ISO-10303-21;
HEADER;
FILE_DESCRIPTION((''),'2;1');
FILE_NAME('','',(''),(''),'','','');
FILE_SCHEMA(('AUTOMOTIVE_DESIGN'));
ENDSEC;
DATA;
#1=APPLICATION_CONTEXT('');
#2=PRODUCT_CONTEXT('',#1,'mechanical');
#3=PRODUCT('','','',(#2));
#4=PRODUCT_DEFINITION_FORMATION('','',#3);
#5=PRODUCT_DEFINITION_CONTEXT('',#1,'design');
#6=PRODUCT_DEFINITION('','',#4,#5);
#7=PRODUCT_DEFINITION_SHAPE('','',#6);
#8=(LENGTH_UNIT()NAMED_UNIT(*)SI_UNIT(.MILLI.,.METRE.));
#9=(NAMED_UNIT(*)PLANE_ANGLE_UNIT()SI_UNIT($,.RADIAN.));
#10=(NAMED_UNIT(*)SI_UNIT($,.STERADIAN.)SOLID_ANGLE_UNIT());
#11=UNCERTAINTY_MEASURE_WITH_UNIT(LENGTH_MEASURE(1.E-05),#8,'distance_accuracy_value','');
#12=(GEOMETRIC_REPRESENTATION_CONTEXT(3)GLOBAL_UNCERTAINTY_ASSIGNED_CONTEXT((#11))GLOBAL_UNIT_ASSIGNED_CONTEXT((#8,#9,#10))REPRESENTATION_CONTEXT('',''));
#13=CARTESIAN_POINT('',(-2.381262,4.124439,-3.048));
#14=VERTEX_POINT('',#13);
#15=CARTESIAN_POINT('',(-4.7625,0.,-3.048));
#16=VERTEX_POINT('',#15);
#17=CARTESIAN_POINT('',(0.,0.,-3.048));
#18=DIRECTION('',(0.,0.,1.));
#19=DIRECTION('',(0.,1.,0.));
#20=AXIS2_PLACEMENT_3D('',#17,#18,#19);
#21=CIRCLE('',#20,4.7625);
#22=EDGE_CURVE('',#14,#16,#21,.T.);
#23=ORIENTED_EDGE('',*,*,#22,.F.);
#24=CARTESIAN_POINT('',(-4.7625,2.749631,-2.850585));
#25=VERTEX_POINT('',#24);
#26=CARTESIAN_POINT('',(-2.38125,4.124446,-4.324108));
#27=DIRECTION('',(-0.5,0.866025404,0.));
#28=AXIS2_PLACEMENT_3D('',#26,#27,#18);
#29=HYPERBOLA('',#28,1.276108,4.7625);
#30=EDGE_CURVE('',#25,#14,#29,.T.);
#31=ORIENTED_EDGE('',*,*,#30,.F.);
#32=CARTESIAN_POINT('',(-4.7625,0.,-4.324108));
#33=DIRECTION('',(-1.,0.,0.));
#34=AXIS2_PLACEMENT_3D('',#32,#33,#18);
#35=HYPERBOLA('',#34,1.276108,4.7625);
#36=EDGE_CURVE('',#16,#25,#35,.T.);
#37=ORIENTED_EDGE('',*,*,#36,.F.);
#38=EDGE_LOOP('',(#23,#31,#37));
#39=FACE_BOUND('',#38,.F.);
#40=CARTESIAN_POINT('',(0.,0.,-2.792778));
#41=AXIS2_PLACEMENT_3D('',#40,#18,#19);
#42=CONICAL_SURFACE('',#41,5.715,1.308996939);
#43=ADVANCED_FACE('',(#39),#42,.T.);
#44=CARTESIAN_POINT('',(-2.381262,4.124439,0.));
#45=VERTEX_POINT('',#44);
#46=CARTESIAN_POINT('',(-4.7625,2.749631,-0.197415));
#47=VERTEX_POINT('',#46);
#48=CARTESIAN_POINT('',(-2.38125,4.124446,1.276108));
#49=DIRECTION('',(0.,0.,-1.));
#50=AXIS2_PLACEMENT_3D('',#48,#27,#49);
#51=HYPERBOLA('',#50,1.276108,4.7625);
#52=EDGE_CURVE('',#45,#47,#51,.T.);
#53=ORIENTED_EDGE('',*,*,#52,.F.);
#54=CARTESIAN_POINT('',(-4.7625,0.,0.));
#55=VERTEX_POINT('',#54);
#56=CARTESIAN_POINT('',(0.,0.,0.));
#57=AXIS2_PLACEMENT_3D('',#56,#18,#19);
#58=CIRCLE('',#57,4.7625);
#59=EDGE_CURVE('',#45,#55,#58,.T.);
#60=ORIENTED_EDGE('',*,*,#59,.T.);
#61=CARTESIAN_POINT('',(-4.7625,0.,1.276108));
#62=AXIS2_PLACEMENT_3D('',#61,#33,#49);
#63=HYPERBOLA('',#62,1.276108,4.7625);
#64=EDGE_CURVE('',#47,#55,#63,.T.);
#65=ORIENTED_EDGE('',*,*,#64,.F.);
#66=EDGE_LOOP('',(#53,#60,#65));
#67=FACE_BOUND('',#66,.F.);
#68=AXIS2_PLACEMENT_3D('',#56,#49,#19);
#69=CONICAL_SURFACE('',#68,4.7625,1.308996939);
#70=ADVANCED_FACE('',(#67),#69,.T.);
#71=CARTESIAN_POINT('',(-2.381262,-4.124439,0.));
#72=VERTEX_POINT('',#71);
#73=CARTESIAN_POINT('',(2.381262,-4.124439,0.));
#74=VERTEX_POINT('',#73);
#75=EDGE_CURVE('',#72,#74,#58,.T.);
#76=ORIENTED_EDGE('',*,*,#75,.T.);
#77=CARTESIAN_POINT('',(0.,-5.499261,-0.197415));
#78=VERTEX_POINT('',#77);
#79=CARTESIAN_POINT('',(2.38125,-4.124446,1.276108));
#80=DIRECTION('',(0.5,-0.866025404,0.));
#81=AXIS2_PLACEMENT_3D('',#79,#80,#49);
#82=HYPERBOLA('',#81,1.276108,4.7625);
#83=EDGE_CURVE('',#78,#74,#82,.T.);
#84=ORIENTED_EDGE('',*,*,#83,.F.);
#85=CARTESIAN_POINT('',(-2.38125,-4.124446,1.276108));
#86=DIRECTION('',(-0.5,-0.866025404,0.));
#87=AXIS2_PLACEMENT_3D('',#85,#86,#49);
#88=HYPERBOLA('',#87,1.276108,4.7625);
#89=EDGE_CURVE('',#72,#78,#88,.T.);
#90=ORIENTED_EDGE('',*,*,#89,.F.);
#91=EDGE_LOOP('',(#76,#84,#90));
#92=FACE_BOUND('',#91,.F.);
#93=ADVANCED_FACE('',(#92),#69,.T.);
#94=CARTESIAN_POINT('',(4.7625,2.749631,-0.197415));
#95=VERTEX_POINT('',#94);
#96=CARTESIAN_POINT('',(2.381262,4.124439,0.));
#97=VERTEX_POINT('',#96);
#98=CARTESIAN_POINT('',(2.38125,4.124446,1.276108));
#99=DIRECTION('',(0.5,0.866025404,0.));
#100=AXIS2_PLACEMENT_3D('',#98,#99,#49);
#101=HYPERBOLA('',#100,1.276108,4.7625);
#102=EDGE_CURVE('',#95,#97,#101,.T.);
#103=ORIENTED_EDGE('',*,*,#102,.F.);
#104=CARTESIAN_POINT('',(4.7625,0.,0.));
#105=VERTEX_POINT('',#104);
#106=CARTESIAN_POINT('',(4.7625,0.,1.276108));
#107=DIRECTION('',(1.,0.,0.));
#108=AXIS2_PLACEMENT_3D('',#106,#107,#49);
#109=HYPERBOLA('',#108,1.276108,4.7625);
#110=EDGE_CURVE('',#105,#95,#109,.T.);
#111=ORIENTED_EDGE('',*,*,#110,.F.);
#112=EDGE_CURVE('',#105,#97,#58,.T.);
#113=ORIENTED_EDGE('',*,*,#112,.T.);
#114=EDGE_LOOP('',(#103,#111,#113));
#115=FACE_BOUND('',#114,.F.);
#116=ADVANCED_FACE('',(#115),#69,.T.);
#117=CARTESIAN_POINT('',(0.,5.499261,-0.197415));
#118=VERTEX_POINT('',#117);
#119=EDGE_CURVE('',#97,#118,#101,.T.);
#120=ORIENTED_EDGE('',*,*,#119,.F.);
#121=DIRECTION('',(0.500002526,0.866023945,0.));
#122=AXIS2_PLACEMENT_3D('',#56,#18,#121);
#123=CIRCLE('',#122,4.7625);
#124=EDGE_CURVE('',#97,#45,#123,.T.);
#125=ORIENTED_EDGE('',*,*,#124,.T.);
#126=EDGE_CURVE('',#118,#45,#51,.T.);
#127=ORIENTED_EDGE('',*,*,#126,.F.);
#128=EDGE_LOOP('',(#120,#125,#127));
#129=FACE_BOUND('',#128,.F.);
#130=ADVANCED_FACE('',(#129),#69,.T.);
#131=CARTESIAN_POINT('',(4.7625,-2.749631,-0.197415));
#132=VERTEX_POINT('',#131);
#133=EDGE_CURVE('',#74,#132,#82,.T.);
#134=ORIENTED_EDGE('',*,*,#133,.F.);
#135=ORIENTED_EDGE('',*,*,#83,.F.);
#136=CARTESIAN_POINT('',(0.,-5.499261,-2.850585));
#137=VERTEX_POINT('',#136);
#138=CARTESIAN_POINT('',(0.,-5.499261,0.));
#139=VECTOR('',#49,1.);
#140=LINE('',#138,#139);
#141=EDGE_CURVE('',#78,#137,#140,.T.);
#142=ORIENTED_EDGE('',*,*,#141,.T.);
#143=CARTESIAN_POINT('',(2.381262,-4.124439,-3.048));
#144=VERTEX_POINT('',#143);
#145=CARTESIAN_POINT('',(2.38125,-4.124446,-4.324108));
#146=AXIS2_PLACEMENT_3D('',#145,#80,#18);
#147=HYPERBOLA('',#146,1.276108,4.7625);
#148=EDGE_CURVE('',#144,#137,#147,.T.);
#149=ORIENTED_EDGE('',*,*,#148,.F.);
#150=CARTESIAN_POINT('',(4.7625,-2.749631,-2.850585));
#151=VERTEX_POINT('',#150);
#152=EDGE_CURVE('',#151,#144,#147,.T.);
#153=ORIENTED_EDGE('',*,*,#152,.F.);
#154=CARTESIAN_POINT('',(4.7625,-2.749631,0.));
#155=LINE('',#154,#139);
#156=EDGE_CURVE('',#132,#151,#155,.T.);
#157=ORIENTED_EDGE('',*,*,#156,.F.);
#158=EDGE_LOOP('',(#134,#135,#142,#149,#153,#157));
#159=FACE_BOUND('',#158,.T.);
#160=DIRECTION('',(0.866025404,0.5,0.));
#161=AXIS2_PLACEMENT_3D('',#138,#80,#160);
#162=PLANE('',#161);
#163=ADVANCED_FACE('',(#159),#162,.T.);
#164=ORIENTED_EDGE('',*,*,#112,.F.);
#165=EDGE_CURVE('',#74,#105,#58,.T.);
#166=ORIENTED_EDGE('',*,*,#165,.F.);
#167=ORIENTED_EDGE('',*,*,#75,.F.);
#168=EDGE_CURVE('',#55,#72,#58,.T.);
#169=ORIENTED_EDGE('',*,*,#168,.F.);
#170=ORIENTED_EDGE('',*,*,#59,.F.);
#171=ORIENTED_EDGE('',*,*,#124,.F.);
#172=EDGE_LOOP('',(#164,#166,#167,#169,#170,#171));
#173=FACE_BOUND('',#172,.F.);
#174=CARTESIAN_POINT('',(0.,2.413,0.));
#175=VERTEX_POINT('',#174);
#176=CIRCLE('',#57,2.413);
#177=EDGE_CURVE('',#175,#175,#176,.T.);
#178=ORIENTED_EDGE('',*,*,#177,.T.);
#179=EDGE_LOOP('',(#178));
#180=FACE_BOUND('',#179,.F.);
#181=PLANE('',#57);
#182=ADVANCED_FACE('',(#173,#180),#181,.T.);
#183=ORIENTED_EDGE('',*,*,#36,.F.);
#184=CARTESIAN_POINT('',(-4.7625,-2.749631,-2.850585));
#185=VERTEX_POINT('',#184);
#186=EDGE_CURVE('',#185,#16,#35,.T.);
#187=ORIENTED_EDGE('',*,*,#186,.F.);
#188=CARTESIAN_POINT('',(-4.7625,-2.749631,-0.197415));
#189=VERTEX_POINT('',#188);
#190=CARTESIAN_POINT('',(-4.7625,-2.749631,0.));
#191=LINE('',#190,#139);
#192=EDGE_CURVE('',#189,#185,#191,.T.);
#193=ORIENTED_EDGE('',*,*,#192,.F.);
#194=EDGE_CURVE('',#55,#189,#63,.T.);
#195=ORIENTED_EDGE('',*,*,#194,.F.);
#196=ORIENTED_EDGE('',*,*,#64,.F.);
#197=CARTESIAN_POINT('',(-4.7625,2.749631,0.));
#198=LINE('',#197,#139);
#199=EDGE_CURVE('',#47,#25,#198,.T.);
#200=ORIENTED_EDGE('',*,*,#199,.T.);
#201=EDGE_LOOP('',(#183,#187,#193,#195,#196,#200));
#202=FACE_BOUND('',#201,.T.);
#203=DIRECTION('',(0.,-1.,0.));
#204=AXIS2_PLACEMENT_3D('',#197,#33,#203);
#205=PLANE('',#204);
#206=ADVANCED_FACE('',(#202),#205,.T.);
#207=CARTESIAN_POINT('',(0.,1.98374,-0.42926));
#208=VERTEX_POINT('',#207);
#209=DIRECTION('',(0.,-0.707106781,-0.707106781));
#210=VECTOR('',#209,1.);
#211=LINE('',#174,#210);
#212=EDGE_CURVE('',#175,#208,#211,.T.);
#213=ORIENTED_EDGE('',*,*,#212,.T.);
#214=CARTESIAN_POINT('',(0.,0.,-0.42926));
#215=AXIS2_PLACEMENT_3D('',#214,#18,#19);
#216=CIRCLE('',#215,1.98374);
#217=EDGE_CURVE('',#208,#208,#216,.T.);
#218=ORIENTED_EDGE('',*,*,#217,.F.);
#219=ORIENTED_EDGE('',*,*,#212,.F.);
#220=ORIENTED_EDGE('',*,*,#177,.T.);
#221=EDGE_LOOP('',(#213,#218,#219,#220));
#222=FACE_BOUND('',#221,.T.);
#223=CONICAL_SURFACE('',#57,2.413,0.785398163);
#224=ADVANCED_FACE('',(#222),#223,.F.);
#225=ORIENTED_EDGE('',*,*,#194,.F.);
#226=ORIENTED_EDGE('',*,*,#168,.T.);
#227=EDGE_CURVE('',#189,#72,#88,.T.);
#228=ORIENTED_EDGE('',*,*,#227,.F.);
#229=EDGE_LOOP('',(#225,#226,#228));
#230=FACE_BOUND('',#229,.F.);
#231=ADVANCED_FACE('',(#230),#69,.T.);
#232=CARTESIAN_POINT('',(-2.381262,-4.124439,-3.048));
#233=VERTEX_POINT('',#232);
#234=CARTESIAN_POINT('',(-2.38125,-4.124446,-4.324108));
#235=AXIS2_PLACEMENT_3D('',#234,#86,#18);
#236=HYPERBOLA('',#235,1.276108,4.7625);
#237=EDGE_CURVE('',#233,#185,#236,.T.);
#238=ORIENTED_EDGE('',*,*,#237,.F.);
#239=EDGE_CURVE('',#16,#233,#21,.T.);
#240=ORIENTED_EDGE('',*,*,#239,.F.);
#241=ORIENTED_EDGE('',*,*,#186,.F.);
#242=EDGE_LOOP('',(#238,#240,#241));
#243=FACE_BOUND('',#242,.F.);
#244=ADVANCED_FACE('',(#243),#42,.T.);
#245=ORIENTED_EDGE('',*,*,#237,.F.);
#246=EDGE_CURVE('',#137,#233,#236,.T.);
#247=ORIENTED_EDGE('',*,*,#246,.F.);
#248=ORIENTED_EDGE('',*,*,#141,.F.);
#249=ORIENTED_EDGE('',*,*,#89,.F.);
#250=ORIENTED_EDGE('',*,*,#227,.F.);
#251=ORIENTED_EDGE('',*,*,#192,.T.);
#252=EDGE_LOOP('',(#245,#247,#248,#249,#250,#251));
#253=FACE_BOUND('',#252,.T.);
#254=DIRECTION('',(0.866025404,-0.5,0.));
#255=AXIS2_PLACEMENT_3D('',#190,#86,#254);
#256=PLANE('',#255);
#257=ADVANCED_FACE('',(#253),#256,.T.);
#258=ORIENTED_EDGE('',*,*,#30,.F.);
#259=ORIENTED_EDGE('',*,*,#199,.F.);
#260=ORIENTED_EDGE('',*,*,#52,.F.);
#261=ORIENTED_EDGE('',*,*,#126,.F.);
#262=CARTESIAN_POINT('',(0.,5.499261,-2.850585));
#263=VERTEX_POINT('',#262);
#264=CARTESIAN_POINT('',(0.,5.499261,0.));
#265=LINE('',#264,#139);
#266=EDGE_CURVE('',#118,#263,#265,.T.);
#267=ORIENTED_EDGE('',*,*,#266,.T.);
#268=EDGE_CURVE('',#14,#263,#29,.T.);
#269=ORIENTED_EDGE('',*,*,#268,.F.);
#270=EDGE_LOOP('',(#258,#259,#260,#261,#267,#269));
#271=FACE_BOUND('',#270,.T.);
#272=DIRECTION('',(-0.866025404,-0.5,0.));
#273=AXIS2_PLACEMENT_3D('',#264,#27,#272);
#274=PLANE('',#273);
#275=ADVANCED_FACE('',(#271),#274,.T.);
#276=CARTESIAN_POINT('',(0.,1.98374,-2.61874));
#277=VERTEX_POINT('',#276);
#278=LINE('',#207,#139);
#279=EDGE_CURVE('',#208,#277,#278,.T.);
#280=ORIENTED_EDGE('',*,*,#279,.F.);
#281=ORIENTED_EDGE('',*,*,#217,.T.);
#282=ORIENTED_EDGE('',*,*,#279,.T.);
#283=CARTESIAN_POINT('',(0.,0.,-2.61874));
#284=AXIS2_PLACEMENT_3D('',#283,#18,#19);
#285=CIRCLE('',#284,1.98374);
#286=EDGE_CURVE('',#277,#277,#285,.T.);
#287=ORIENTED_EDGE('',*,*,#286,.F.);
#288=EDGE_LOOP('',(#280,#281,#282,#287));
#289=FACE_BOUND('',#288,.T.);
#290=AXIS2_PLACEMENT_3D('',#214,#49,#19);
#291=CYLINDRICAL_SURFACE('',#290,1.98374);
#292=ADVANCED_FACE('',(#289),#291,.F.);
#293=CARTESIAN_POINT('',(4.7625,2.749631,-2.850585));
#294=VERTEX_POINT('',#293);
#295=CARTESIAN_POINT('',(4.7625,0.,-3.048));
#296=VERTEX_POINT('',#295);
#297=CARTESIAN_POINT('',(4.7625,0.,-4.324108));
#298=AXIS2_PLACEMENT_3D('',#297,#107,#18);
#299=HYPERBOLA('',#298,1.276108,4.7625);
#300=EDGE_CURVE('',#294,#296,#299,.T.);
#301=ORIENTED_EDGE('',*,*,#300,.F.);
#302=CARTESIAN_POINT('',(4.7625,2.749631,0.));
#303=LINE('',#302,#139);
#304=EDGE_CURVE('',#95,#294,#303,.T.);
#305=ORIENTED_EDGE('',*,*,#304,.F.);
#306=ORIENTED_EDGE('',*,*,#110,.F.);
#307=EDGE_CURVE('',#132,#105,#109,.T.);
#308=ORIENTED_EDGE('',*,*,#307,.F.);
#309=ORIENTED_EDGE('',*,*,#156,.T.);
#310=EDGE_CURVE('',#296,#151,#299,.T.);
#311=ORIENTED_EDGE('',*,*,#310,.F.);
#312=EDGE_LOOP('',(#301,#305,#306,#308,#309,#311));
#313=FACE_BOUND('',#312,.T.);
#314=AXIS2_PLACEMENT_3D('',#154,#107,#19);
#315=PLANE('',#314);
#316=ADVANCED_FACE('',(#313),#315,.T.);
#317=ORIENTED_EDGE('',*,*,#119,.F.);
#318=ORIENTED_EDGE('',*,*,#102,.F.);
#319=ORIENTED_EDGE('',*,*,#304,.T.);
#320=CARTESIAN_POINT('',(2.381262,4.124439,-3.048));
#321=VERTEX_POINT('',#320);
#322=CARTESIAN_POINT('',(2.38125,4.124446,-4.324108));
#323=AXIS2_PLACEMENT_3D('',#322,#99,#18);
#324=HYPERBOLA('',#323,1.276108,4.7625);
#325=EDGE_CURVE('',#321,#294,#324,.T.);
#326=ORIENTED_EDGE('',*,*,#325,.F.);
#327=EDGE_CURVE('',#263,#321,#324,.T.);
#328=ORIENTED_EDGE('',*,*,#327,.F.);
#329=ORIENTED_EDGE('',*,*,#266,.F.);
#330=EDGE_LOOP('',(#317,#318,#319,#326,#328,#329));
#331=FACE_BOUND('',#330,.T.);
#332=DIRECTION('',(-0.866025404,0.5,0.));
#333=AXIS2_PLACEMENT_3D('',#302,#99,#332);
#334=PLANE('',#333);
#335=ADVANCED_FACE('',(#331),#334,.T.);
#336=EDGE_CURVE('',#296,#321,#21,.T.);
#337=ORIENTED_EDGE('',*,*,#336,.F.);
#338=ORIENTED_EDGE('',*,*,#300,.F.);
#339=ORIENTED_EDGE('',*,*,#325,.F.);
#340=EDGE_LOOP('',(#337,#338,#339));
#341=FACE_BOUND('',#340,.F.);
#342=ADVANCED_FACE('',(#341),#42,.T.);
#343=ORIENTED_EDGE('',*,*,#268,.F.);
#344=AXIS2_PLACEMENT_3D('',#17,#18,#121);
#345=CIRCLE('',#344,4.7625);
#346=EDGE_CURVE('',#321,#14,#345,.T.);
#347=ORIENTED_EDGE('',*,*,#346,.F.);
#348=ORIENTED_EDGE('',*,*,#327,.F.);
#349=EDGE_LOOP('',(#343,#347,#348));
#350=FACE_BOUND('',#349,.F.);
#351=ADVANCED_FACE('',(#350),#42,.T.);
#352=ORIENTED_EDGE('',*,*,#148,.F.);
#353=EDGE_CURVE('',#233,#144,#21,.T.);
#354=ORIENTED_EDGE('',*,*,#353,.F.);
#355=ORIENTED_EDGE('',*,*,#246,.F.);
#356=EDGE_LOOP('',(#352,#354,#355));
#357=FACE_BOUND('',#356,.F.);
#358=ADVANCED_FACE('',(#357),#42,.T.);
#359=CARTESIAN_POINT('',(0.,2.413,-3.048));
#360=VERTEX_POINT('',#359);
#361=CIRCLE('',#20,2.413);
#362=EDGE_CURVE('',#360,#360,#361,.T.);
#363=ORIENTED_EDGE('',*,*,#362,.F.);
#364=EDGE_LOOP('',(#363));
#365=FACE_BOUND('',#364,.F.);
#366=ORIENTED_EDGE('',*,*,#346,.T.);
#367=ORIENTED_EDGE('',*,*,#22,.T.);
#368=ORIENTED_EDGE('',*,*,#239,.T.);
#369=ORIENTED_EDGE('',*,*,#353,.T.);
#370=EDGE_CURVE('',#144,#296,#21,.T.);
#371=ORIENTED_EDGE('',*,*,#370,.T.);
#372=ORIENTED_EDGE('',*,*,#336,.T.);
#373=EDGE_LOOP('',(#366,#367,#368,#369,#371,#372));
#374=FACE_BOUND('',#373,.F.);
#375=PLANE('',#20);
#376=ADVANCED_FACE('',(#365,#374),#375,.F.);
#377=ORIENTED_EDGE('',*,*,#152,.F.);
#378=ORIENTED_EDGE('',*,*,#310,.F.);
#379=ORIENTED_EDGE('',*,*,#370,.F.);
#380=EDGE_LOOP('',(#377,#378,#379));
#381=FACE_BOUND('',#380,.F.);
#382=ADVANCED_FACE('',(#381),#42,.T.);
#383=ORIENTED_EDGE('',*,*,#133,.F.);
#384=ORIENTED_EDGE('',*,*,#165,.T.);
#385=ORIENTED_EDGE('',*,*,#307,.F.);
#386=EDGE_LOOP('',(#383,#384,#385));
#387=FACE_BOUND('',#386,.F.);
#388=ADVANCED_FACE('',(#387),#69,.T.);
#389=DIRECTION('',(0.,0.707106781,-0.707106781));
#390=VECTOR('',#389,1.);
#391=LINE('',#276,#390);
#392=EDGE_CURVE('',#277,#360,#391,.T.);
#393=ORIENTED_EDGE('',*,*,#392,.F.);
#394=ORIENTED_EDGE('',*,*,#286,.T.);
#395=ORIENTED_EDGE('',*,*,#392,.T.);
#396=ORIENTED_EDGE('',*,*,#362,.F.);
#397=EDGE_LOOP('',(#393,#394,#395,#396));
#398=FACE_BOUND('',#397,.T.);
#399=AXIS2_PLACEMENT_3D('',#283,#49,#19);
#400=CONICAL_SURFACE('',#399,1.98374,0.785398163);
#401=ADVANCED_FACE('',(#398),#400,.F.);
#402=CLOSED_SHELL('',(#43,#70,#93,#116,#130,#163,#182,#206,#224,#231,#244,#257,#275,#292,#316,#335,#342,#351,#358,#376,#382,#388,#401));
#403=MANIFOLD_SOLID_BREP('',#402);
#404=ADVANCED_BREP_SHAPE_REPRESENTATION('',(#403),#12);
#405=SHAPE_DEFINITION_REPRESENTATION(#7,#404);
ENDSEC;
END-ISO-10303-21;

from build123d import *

# Parameters (mm, degrees)
SKETCH2_W          = 19.05
SKETCH2_H          = 19.05
CUT_EXTRUDE1_DEPTH = 3.048


with BuildPart() as part:
    # Sketch1 → Revolve1 (revolve)
    with BuildSketch(Plane(origin=(0, 0, 0), x_dir=(0, 0, -1), z_dir=(1, 0, 0))):
        Polygon((0, 0), (0, 4.7625), (0.255221606, 5.715), (2.792778394, 5.715), (3.048, 4.7625), (3.048, 0), align=None)
    revolve(axis=Axis((0, 0, -3.048), (0, 0, 1)))

    # Sketch2 → Cut-Extrude1 (cut)
    with BuildSketch(Plane.XY):
        Rectangle(SKETCH2_W, SKETCH2_H)
        Polygon((-4.7625, 2.749630657), (-4.7625, -2.749630657), (0, -5.499261314), (4.7625, -2.749630657), (4.7625, 2.749630657), (0, 5.499261314), align=None, mode=Mode.SUBTRACT)
    extrude(amount=-CUT_EXTRUDE1_DEPTH, mode=Mode.SUBTRACT)

    # Sketch3 → Cut-Revolve1 (revolve, cut)
    with BuildSketch(Plane(origin=(0, 0, 0), x_dir=(0, 0, -1), z_dir=(1, 0, 0))):
        Polygon((0, 0), (0, 2.413), (0.42926, 1.98374), (2.61874, 1.98374), (3.048, 2.413), (3.048, 0), align=None)
    revolve(axis=Axis((0, 0, -3.048), (0, 0, 1)), mode=Mode.SUBTRACT)


solid = part.part
